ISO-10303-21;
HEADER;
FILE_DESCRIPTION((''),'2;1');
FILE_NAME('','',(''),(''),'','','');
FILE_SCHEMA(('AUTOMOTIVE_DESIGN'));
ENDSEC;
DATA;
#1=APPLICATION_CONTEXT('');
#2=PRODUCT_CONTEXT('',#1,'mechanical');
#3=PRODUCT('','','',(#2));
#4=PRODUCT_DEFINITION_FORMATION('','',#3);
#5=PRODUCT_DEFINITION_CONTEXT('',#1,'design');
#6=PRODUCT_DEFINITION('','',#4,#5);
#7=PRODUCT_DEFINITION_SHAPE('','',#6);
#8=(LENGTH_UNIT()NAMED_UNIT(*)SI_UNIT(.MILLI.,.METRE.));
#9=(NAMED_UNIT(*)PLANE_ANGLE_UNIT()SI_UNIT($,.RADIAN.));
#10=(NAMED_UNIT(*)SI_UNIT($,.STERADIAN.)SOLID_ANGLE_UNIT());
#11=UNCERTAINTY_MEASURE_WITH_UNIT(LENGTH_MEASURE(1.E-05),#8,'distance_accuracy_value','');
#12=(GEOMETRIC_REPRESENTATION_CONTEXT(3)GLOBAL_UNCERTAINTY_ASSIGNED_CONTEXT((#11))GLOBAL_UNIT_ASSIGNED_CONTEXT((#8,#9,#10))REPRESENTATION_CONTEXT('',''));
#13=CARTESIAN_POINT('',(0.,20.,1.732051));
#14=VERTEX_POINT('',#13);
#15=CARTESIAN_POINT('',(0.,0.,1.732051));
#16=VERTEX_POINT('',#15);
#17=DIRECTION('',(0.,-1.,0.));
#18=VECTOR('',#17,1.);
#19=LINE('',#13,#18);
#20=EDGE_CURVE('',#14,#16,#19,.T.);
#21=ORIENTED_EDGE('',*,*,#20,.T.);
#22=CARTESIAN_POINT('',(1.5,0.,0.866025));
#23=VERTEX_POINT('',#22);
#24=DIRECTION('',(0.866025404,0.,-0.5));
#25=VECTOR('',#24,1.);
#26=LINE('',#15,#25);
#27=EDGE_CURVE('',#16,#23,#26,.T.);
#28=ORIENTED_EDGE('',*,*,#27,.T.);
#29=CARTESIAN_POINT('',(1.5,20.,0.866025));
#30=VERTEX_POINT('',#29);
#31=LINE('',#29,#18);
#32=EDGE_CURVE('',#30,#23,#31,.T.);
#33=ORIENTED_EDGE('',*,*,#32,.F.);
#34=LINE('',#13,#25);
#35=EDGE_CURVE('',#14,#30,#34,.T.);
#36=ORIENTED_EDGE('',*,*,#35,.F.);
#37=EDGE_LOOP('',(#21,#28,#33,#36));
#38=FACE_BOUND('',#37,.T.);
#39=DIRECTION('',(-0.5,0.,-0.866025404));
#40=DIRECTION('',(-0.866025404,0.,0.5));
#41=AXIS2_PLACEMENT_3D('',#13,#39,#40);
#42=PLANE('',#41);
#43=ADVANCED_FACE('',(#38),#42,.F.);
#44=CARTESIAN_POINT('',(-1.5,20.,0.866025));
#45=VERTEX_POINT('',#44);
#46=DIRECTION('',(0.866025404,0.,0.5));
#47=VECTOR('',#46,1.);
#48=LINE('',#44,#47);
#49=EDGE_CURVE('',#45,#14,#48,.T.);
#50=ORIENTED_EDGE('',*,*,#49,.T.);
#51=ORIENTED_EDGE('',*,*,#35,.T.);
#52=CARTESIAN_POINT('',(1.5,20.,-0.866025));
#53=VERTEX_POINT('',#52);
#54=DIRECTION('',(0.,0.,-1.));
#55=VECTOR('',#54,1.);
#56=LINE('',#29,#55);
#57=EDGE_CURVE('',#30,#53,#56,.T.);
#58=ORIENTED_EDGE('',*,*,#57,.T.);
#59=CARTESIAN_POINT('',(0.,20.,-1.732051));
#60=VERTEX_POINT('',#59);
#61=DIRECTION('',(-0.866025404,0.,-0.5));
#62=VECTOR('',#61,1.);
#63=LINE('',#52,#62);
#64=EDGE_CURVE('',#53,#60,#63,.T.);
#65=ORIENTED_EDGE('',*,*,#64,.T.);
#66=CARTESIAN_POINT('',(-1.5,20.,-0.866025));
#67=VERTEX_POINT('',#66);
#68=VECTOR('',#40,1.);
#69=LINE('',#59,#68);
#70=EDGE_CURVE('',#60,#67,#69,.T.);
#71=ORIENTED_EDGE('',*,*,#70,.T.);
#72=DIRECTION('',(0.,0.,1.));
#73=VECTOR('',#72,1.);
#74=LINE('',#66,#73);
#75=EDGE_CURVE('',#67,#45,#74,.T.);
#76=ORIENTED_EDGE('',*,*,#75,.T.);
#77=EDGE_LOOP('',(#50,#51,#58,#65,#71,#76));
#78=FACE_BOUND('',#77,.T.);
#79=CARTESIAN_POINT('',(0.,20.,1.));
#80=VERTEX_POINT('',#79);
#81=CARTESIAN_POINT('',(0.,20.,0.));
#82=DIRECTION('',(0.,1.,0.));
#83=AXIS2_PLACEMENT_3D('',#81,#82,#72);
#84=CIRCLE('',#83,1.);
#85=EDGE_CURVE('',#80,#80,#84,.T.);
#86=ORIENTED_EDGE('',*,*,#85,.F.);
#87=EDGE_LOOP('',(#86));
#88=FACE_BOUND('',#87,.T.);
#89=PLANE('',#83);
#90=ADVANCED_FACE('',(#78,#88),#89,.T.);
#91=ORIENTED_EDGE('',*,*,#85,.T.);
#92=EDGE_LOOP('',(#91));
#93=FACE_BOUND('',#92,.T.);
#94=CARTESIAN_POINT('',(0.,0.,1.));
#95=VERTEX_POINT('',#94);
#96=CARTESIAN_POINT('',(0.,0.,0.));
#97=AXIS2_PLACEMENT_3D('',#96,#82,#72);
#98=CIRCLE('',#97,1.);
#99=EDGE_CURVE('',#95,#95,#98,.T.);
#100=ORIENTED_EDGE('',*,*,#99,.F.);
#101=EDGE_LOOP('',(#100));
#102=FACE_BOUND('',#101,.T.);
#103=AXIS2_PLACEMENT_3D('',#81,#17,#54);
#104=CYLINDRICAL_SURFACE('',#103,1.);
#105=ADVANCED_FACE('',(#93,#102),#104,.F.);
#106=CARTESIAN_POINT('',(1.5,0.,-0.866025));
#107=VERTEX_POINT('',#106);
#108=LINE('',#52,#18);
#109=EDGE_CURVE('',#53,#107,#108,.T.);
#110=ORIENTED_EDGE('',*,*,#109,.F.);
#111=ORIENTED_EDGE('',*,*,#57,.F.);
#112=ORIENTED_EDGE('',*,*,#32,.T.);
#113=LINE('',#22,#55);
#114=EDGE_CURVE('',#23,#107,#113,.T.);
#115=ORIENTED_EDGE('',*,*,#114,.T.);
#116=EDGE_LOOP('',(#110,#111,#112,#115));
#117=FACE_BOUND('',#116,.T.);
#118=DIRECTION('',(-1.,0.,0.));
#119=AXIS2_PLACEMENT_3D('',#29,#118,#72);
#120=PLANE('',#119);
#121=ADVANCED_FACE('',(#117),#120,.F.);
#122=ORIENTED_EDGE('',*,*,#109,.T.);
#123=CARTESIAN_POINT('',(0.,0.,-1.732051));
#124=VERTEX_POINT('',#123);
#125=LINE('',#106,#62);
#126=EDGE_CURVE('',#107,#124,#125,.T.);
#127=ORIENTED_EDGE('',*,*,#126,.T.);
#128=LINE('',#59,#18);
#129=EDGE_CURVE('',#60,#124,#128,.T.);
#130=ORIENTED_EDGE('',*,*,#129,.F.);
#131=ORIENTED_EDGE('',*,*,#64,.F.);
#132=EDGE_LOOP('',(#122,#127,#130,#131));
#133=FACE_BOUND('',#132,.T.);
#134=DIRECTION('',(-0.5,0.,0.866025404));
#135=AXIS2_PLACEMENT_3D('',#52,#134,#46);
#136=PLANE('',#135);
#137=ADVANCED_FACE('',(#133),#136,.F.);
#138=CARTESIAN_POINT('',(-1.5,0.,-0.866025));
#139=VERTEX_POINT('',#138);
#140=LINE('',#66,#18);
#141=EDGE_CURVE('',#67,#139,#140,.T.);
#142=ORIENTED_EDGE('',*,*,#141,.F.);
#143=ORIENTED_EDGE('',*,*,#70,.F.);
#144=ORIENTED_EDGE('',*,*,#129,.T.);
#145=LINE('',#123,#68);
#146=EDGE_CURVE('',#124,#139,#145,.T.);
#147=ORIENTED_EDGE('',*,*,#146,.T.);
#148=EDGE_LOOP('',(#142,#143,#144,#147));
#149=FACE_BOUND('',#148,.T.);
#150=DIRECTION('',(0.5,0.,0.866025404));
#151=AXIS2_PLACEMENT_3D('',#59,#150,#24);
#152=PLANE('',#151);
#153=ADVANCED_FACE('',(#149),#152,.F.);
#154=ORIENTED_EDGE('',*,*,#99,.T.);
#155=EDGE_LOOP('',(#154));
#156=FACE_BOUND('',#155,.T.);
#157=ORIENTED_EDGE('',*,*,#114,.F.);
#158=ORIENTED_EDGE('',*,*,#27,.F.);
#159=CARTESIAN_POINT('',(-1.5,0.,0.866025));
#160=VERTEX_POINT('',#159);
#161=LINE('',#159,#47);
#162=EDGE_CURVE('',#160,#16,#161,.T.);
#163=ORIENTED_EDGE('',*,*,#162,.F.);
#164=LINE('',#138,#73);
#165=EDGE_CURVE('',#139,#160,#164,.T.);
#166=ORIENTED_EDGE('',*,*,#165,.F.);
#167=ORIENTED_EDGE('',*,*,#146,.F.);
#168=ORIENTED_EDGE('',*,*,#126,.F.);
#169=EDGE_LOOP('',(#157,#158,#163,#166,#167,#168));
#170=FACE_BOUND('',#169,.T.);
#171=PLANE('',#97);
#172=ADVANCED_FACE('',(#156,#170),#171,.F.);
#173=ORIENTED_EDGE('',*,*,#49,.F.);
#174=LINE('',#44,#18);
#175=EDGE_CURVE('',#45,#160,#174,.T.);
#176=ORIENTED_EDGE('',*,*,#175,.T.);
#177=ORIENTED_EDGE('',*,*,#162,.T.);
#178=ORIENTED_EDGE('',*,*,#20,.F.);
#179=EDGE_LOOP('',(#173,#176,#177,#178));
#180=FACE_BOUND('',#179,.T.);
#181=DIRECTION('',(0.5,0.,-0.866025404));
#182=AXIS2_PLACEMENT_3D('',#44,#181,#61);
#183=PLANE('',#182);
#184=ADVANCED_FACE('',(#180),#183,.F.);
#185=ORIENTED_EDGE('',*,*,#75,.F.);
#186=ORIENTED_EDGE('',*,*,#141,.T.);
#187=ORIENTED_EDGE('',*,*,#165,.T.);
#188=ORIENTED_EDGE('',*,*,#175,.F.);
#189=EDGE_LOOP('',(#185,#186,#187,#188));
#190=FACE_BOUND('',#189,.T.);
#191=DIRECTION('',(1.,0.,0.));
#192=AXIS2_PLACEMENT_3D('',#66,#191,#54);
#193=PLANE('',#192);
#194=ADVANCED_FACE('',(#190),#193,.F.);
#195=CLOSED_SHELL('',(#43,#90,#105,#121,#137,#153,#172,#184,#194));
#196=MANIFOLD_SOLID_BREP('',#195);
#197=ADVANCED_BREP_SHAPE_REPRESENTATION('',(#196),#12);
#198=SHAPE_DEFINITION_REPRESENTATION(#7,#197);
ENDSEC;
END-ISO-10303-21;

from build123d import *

# Parameters (mm, degrees)
SKETCH1_R           = 1
BOSS_EXTRUDE1_DEPTH = 20


with BuildPart() as part:
    # Sketch1 → Boss-Extrude1 (new body)
    with BuildSketch(Plane(origin=(0, 0, 0), x_dir=(1, 0, 0), z_dir=(0, 1, 0))):
        Polygon((0, -1.732050808), (1.5, -0.866025404), (1.5, 0.866025404), (0, 1.732050808), (-1.5, 0.866025404), (-1.5, -0.866025404), align=None)
        Circle(SKETCH1_R, mode=Mode.SUBTRACT)
    extrude(amount=BOSS_EXTRUDE1_DEPTH)


solid = part.part
